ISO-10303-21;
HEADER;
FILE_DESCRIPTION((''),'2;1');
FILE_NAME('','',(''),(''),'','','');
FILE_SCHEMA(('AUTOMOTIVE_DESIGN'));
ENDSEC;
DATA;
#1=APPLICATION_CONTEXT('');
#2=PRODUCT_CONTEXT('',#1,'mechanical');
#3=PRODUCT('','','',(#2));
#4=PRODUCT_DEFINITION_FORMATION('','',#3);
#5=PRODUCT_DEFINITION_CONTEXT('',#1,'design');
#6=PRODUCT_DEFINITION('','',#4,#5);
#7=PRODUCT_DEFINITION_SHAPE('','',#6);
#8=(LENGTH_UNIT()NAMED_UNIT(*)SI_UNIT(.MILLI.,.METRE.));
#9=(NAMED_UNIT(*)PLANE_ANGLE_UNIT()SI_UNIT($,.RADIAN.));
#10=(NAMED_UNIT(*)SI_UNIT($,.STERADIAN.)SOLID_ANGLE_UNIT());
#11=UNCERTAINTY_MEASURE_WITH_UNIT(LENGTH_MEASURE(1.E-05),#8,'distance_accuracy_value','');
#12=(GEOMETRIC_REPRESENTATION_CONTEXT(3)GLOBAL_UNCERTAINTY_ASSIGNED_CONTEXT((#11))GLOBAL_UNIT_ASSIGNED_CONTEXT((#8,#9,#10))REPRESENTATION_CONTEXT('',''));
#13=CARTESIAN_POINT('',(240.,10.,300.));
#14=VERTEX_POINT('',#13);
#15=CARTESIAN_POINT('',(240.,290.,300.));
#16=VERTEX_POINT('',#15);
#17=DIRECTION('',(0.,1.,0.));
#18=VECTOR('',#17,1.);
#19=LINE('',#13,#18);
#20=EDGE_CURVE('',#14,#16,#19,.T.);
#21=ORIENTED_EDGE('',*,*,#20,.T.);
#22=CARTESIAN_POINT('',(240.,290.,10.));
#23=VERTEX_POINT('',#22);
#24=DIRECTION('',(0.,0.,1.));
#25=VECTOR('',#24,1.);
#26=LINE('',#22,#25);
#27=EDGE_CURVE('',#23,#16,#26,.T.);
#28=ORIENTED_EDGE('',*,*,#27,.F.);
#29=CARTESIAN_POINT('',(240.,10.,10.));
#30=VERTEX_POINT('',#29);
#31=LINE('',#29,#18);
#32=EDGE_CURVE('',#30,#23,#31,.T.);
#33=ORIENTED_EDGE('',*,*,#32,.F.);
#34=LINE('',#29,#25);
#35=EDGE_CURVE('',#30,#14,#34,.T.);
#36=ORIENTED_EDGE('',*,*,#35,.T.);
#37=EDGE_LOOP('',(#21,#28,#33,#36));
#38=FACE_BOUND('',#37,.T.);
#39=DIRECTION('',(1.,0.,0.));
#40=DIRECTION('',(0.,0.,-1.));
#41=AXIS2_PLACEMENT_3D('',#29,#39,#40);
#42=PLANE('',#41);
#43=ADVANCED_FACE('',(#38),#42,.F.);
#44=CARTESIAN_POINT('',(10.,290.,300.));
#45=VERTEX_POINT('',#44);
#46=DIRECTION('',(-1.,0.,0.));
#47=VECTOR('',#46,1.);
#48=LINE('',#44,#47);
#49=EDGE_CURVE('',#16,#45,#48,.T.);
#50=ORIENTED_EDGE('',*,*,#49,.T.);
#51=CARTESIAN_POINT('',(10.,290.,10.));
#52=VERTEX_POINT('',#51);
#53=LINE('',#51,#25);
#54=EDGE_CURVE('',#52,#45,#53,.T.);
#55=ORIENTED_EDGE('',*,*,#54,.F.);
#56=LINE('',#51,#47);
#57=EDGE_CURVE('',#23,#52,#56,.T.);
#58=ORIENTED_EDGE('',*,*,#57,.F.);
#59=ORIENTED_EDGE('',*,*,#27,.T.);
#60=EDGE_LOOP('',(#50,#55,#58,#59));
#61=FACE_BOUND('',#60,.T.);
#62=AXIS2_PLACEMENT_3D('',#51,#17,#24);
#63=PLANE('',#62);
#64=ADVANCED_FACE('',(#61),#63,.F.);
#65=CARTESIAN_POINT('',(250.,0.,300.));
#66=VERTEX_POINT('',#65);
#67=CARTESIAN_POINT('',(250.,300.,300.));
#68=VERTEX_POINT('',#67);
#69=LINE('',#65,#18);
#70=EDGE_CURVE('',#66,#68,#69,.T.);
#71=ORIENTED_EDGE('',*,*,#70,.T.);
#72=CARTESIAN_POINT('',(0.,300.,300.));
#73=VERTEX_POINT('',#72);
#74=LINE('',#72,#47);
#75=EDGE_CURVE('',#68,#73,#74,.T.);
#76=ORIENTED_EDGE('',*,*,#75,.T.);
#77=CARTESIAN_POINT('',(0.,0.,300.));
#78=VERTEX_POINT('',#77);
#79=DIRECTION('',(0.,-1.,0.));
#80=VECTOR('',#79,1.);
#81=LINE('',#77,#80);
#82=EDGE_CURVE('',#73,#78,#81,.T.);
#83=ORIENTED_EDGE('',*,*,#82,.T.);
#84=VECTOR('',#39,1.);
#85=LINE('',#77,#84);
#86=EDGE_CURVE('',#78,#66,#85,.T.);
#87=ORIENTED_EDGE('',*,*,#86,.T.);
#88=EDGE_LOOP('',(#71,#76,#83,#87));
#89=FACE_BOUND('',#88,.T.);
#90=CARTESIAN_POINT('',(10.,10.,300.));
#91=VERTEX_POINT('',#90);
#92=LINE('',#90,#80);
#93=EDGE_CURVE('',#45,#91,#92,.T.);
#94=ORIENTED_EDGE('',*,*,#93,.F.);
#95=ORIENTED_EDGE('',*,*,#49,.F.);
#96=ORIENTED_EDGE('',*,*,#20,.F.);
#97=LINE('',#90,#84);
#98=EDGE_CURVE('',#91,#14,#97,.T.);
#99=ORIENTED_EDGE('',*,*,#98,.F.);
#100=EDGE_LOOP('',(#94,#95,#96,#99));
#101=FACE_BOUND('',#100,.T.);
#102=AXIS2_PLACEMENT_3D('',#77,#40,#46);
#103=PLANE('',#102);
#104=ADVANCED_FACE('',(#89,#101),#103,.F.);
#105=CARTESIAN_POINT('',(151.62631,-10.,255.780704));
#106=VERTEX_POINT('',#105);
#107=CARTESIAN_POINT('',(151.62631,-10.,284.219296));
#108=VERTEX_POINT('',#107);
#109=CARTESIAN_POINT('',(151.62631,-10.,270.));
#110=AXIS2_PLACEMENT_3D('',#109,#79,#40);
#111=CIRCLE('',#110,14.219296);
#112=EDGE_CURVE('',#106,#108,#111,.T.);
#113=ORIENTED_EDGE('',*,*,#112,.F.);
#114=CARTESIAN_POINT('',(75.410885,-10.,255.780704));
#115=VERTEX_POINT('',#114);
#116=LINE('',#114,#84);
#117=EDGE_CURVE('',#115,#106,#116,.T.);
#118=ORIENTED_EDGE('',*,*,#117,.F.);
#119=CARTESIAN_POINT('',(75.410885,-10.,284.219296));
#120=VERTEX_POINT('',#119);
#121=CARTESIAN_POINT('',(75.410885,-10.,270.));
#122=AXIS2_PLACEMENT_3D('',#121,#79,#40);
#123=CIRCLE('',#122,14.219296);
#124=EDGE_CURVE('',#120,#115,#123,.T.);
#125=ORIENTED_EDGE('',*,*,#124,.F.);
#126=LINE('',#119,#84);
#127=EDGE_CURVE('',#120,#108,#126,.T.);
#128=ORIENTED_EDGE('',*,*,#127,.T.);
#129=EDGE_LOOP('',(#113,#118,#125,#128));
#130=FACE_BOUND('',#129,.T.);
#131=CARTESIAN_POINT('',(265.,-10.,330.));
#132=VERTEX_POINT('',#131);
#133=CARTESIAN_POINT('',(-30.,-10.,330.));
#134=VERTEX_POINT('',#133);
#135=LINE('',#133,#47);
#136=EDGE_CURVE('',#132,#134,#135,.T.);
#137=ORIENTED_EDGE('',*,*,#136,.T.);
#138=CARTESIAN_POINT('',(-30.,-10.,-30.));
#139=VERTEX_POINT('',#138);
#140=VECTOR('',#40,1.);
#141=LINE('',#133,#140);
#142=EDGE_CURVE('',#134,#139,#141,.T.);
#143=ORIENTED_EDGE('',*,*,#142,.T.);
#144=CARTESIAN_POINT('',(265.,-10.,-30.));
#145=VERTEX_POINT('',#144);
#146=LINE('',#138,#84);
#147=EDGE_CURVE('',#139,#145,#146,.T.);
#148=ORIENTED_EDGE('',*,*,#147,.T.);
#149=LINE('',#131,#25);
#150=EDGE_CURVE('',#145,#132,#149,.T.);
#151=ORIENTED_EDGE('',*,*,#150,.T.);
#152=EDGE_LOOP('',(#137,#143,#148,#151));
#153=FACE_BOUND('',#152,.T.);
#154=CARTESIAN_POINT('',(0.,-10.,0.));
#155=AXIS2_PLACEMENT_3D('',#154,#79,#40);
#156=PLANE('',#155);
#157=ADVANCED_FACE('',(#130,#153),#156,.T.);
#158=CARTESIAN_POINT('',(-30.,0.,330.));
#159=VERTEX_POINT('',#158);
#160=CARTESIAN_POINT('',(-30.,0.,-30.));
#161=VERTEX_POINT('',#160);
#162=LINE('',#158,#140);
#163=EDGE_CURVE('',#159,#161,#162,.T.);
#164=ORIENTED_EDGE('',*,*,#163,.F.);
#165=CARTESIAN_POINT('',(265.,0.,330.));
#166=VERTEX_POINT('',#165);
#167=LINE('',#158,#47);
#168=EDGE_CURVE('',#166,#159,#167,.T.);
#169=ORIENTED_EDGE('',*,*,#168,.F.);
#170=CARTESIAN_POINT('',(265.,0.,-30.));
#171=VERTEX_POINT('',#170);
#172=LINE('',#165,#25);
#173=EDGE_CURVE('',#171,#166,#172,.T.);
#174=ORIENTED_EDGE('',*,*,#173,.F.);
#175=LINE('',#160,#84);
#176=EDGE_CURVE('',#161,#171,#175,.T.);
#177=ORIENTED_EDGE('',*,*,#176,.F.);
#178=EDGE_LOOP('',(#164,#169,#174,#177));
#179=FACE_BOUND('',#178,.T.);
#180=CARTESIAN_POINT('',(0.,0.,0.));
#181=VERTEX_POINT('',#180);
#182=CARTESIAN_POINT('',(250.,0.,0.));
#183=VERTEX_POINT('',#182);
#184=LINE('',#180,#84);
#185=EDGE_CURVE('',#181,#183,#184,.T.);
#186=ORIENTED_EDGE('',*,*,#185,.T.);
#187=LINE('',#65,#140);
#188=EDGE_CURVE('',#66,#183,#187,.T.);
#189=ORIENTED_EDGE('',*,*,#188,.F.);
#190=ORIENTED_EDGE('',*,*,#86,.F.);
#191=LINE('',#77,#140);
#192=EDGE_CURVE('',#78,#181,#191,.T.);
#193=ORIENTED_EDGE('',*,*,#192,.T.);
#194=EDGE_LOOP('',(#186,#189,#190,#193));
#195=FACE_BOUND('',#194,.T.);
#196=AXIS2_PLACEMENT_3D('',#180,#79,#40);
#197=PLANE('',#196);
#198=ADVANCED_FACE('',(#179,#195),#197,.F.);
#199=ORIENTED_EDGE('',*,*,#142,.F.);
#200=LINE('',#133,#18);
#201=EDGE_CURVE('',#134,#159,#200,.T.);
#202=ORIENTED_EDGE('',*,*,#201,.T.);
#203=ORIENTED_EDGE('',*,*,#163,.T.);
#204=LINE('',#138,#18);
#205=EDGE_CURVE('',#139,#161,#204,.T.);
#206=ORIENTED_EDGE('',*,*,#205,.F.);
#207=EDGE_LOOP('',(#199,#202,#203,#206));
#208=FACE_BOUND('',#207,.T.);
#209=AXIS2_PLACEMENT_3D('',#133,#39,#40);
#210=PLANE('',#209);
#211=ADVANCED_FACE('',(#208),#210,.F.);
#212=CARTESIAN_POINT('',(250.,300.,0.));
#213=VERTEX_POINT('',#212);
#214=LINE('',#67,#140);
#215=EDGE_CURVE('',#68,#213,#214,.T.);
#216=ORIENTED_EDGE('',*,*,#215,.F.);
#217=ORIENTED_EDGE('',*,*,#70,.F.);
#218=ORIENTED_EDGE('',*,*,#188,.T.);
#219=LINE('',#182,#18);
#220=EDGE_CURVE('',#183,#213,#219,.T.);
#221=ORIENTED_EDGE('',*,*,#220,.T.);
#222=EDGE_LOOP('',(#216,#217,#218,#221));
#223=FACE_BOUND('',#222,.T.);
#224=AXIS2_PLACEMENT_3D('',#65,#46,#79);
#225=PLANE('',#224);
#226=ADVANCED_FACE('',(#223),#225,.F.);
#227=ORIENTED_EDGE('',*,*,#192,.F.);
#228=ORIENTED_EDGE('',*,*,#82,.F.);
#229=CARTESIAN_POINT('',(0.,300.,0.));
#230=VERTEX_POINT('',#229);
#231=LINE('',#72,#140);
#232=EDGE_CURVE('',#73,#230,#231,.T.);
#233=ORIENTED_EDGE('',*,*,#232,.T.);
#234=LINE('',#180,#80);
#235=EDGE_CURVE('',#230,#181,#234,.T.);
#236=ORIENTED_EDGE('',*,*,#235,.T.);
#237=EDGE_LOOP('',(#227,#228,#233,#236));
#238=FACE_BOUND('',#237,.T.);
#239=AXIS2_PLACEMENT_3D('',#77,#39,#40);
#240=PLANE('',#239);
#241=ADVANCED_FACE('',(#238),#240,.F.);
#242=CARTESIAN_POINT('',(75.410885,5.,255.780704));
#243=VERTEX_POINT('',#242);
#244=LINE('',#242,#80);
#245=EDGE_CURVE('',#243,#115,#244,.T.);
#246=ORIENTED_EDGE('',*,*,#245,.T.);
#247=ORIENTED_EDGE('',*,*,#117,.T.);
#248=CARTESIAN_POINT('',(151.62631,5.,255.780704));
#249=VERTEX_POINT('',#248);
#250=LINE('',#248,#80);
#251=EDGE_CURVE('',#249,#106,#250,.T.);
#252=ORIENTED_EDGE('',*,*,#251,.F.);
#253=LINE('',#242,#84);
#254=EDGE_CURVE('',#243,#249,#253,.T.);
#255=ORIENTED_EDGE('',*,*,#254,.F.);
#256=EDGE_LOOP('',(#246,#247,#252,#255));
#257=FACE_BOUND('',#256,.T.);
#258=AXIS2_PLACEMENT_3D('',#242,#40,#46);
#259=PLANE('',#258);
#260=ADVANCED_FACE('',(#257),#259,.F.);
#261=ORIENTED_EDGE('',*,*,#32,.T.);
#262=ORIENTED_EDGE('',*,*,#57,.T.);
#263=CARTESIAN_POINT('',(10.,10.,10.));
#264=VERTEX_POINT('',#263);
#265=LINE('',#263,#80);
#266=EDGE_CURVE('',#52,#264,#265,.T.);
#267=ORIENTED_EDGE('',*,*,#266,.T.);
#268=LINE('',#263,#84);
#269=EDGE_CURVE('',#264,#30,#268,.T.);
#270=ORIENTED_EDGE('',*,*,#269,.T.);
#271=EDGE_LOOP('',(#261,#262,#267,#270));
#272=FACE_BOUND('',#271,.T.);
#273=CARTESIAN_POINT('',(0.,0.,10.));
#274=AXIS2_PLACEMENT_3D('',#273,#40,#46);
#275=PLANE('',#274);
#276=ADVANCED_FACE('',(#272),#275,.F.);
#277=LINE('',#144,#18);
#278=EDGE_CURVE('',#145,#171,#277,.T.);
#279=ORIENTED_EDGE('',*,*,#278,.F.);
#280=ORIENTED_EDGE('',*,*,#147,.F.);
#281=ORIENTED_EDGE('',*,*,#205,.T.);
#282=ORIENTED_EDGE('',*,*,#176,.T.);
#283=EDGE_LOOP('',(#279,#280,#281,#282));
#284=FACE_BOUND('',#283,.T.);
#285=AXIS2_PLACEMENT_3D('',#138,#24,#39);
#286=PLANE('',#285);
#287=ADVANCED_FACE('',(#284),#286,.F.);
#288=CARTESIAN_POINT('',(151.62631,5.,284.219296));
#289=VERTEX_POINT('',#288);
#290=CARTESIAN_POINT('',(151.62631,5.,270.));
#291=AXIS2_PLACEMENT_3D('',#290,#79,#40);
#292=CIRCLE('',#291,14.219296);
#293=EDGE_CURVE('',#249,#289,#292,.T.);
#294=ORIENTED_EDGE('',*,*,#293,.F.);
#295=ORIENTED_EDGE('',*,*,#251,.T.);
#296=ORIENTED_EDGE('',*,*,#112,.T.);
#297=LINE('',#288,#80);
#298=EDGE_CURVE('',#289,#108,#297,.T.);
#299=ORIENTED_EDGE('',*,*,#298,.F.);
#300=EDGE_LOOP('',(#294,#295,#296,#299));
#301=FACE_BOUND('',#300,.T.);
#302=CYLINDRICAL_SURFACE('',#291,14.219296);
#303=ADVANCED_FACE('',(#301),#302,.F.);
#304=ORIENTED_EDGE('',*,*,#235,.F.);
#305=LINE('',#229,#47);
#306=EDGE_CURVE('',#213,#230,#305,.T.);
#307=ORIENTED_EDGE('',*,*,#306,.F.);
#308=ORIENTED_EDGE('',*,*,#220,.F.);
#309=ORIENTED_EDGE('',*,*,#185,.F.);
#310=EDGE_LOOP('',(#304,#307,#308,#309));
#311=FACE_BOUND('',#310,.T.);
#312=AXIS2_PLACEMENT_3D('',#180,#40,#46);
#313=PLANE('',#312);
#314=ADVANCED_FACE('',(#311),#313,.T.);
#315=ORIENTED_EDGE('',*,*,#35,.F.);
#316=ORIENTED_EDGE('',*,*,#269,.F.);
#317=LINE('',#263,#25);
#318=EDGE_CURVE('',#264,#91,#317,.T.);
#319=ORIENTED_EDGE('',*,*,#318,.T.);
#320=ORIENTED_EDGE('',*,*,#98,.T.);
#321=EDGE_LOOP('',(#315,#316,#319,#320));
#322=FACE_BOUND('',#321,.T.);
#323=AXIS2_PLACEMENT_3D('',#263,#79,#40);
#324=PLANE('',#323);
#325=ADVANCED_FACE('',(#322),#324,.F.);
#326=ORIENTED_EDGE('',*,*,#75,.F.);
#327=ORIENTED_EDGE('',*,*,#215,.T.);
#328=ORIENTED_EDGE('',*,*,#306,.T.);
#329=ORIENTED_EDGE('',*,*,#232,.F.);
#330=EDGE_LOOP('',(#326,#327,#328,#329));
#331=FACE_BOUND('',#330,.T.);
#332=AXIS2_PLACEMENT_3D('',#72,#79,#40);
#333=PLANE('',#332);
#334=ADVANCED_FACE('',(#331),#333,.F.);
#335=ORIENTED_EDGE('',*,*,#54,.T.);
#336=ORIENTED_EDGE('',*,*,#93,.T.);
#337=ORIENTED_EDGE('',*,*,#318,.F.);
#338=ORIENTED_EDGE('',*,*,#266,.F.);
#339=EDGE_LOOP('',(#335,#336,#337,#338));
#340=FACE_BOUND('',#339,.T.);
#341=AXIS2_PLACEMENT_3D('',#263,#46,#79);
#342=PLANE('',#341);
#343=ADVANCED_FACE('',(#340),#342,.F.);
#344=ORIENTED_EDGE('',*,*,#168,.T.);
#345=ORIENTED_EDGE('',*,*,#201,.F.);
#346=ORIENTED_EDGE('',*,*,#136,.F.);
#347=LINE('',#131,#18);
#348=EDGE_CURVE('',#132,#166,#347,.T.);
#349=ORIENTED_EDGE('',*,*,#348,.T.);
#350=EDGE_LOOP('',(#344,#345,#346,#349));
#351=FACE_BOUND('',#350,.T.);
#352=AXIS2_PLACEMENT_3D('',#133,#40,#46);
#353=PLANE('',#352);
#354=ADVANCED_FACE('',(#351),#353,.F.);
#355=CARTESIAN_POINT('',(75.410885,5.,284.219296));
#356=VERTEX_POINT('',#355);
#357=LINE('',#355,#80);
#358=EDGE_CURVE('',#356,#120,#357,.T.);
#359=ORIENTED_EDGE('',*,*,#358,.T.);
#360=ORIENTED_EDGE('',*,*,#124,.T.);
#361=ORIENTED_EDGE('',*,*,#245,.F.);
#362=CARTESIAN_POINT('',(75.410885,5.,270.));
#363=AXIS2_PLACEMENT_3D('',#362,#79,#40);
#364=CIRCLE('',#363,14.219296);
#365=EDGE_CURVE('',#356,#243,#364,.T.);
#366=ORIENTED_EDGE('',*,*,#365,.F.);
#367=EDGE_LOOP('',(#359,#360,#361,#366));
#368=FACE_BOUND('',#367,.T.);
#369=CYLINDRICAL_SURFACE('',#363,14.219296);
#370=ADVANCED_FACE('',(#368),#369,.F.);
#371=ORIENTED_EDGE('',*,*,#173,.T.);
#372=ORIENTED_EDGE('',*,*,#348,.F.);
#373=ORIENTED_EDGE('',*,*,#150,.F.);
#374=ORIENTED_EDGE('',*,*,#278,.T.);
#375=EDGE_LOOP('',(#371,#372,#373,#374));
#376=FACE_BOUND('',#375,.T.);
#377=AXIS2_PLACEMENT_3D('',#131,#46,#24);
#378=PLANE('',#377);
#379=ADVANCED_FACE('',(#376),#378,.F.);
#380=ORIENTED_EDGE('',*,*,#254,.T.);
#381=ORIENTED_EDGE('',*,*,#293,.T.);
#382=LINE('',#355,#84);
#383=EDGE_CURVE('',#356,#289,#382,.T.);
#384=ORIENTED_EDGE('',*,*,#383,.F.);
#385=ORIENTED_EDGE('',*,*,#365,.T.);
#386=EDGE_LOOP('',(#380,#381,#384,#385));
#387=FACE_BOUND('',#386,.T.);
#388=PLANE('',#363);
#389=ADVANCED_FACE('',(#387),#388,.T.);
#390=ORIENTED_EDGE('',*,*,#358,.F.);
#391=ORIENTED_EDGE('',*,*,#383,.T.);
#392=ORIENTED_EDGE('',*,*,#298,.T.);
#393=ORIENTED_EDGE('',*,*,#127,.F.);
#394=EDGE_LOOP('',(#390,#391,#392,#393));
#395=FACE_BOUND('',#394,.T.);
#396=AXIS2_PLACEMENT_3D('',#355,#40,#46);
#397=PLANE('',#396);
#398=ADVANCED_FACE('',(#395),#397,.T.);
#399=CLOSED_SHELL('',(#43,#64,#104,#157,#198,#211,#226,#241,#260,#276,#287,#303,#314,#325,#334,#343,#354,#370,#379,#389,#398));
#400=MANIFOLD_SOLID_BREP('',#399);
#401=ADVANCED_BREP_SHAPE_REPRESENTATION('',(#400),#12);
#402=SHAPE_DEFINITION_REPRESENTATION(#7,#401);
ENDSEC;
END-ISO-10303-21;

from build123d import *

# Parameters (mm, degrees)
SKETCH_1_W          = 250
SKETCH_1_H          = 300
EXTRUDE_1_DEPTH     = 300
SKETCH_2_W          = 230
SKETCH_2_H          = 280
CUT_EXTRUDE_1_DEPTH = 290
SKETCH_3_W          = 295
SKETCH_3_H          = 360
EXTRUDE_2_DEPTH     = 10
CUT_EXTRUDE_2_DEPTH = 15


with BuildPart() as part:
    # 草图1 → 凸台-拉伸1 (new body)
    with BuildSketch(Plane.XY):
        with Locations((125, 150)):
            Rectangle(SKETCH_1_W, SKETCH_1_H)
    extrude(amount=EXTRUDE_1_DEPTH)

    # 草图2 → 切除-拉伸1 (cut)
    with BuildSketch(Plane.XY.offset(300)):
        with Locations((125, 150)):
            Rectangle(SKETCH_2_W, SKETCH_2_H)
    extrude(amount=-CUT_EXTRUDE_1_DEPTH, mode=Mode.SUBTRACT)

    # 草图3 → 凸台-拉伸2 (add)
    with BuildSketch(Plane.XZ):
        with Locations((117.5, 150)):
            Rectangle(SKETCH_3_W, SKETCH_3_H)
    extrude(amount=EXTRUDE_2_DEPTH)

    # 草图4 → 切除-拉伸2 (cut)
    with BuildSketch(Plane.XZ.offset(10)):
        with BuildLine():
            Line((75.410884938, 284.219295629), (151.62630951, 284.219295629))
            ThreePointArc((151.62630951, 284.219295629), (165.845605139, 270), (151.62630951, 255.780704371))
            Line((151.62630951, 255.780704371), (75.410884938, 255.780704371))
            ThreePointArc((75.410884938, 255.780704371), (61.191589309, 270), (75.410884938, 284.219295629))
        make_face()
    extrude(amount=-CUT_EXTRUDE_2_DEPTH, mode=Mode.SUBTRACT)


solid = part.part
